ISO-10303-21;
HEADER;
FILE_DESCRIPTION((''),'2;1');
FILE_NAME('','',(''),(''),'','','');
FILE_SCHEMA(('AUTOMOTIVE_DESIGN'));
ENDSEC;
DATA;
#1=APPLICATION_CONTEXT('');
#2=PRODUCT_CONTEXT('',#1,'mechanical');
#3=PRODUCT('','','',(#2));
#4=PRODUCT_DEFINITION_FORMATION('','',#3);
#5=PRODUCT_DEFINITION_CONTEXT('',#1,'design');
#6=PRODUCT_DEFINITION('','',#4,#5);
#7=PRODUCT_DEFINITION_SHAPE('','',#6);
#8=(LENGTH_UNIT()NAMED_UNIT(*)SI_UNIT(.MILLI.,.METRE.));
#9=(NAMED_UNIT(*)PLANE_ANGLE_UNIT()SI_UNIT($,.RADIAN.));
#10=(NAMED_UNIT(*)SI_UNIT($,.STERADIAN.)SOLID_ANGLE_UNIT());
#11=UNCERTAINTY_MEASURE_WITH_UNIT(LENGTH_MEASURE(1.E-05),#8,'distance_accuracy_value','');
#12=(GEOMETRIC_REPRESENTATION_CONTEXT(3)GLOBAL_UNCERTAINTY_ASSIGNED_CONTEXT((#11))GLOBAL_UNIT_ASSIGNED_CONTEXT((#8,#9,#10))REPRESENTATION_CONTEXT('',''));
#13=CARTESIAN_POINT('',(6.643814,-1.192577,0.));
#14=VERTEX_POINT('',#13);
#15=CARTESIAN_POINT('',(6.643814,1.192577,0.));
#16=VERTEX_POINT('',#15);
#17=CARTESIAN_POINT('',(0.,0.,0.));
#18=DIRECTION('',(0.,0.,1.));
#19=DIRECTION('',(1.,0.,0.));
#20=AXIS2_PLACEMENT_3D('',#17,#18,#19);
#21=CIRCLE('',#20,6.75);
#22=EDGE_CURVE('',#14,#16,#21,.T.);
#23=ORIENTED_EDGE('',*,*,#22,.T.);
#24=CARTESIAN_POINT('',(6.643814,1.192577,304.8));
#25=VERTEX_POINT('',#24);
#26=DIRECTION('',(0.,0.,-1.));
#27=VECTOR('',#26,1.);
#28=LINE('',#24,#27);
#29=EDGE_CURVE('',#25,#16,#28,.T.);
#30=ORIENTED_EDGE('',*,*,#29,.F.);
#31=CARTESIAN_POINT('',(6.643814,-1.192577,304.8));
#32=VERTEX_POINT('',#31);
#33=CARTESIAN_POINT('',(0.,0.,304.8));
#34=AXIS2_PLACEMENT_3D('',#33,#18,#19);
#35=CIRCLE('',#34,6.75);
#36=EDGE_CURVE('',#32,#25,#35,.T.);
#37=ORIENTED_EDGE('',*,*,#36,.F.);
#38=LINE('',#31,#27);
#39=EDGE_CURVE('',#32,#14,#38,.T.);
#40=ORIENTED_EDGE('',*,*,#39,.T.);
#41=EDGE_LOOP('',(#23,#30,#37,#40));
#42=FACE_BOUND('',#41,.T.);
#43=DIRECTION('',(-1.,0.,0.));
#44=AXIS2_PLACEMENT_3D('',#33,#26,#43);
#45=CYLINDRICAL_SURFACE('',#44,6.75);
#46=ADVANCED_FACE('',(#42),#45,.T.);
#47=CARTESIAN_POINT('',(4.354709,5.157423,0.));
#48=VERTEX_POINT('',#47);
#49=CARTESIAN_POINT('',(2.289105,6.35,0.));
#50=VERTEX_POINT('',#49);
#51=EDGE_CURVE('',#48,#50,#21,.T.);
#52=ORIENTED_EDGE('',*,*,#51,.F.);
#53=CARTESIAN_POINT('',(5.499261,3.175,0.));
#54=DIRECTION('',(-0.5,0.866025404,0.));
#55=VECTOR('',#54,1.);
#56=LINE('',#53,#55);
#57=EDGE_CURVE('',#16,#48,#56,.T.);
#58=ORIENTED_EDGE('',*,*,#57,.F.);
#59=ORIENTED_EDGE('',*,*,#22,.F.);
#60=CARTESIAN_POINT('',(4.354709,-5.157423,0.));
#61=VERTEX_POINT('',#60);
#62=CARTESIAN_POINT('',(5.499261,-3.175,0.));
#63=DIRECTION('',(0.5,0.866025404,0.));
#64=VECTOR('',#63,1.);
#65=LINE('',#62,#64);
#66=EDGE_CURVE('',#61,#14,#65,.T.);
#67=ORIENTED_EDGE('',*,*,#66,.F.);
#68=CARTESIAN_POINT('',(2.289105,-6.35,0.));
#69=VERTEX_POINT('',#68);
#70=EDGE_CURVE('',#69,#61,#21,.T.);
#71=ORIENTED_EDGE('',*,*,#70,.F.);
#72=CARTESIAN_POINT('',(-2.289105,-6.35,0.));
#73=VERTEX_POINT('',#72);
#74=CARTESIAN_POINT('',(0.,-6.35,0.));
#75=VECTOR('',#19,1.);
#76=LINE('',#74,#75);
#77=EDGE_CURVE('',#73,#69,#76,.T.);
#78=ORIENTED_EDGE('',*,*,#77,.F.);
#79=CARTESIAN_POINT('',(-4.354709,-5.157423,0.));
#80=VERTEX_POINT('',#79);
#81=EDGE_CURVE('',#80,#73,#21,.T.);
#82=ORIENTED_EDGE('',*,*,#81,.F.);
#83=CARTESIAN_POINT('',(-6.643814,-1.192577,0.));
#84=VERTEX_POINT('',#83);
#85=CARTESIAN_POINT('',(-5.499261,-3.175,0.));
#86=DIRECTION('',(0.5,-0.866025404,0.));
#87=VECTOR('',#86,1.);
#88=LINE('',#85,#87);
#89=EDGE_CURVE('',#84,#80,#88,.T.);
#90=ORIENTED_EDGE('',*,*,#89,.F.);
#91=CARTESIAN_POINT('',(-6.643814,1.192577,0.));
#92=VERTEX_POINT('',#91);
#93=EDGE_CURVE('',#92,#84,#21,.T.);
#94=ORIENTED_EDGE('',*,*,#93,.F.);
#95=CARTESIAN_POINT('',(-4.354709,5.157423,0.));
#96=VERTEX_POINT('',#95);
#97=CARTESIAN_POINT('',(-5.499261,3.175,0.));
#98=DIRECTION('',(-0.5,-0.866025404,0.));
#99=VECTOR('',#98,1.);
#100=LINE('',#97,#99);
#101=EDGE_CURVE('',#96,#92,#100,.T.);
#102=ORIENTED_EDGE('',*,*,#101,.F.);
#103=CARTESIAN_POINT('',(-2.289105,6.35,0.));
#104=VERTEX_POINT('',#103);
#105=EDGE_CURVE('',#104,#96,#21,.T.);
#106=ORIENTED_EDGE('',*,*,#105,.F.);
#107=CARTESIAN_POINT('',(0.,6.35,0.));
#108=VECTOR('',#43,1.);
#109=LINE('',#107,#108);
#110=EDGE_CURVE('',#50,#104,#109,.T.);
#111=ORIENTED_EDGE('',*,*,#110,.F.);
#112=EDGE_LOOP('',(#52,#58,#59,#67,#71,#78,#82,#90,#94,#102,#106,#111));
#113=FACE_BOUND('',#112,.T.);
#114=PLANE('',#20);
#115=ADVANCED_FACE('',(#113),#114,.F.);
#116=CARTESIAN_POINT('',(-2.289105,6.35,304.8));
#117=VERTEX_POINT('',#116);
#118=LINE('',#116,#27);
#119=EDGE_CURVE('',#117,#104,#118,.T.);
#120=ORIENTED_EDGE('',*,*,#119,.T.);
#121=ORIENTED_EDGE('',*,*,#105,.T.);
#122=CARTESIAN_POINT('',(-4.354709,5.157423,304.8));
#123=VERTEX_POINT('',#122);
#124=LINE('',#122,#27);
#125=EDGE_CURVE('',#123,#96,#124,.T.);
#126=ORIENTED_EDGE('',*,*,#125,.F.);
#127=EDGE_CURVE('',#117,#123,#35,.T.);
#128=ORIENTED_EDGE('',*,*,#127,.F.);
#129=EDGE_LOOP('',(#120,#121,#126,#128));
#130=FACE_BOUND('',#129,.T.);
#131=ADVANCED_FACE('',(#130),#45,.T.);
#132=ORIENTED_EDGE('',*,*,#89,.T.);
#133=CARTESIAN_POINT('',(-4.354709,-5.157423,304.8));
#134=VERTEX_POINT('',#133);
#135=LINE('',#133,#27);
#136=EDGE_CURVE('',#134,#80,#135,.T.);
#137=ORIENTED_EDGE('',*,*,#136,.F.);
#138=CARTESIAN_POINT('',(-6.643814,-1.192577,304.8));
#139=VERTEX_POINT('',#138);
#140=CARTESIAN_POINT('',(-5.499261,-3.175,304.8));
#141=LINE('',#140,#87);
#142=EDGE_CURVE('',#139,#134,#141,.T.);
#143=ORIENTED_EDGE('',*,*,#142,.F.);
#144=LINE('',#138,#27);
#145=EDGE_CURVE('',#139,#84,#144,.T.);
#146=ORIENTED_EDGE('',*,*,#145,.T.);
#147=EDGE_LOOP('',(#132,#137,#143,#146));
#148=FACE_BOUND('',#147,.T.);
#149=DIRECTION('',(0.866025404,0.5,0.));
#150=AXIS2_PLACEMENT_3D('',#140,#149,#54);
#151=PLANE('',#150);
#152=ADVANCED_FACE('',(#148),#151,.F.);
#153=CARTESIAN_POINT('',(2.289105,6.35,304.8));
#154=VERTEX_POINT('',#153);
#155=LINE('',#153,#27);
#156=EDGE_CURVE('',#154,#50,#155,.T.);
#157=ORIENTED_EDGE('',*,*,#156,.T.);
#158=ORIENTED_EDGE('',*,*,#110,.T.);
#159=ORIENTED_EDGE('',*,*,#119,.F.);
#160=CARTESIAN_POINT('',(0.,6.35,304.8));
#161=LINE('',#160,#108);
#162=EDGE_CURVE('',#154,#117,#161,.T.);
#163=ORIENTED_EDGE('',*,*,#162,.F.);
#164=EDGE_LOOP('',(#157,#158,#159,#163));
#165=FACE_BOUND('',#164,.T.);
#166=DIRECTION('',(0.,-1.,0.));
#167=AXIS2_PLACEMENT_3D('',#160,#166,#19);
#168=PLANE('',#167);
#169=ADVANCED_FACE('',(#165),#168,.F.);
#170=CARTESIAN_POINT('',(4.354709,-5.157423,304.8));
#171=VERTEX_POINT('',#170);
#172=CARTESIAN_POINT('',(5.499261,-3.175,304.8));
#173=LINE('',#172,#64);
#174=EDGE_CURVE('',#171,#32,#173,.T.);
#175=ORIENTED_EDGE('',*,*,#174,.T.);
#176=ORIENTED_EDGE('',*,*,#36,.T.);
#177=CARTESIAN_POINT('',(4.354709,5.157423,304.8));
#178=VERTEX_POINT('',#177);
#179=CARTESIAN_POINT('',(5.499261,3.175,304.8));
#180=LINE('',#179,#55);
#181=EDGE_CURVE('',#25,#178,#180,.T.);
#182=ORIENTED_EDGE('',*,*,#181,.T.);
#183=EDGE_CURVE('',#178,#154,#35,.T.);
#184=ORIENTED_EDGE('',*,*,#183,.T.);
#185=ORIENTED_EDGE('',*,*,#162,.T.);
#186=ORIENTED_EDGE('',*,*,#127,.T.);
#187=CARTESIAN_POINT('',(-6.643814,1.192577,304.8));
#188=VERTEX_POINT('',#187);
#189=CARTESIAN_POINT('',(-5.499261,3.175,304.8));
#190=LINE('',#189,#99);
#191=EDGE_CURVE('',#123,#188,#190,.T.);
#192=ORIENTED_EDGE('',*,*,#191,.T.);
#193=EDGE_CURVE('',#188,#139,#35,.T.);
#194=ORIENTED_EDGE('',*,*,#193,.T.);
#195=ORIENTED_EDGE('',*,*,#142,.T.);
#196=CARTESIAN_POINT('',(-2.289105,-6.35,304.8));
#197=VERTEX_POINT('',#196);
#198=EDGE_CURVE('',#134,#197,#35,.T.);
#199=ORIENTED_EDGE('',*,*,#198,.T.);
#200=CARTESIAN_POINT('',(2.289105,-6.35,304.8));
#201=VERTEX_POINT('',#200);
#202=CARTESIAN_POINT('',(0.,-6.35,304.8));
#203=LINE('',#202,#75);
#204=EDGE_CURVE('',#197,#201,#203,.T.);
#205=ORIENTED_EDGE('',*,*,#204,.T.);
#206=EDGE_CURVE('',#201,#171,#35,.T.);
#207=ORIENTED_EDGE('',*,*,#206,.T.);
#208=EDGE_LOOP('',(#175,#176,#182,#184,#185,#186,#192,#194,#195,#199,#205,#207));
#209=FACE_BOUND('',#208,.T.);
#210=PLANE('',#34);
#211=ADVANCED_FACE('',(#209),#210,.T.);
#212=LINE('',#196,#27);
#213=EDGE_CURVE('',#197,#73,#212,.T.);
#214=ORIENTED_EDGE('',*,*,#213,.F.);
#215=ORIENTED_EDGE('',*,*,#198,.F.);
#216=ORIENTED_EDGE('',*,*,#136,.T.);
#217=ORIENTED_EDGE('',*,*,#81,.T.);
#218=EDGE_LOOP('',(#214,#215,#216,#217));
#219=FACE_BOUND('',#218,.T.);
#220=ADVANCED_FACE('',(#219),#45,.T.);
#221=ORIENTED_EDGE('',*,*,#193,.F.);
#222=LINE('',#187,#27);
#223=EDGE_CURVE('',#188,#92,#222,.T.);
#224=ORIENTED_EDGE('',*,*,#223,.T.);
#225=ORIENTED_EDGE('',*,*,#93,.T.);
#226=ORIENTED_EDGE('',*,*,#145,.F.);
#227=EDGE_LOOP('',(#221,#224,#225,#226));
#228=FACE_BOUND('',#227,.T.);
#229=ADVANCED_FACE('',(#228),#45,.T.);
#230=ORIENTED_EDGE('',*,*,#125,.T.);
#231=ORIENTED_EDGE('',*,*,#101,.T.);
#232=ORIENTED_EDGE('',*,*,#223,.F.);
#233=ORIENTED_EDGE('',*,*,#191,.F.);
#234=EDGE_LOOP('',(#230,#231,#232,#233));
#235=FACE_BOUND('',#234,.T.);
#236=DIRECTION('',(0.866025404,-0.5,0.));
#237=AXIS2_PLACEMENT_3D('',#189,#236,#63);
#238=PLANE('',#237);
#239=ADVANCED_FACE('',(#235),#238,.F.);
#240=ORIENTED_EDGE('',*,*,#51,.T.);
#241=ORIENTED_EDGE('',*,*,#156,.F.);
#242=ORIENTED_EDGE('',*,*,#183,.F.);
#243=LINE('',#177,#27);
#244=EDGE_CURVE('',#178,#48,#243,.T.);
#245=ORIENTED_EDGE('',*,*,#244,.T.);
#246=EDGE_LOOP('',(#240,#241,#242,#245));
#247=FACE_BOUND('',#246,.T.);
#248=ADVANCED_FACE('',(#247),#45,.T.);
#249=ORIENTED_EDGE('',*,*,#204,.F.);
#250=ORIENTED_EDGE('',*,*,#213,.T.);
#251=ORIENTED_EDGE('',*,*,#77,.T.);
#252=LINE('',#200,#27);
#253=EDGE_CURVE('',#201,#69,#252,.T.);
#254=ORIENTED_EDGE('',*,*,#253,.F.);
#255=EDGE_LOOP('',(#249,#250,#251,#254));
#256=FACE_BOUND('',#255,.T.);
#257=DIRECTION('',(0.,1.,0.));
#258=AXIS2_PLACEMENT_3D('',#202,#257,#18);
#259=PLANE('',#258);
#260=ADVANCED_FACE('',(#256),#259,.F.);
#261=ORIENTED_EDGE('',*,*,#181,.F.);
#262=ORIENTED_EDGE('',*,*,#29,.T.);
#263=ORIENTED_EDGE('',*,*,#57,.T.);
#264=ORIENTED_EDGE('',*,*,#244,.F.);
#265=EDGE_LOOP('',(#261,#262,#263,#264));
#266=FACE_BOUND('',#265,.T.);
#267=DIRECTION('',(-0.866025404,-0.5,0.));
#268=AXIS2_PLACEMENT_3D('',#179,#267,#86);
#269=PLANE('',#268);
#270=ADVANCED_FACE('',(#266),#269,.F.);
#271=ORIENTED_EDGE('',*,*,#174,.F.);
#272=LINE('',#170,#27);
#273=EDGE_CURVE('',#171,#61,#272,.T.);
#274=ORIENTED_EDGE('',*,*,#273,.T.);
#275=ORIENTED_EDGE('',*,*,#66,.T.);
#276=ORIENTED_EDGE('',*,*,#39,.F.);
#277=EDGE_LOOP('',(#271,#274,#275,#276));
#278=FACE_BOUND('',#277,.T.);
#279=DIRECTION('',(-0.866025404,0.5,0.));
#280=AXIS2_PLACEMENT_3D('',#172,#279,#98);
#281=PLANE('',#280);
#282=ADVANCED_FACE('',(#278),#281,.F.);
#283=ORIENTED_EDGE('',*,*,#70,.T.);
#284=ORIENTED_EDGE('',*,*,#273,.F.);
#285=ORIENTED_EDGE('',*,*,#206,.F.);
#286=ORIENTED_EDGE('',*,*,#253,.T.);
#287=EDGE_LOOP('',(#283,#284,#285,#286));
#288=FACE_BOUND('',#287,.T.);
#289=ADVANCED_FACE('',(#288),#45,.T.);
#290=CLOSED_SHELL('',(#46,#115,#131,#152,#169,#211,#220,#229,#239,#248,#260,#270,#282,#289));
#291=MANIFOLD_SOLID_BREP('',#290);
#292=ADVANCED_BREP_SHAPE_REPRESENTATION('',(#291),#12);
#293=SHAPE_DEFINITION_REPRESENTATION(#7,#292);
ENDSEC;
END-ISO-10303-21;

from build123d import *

# Parameters (mm, degrees)
BOSS_EXTRUDE1_DEPTH = 304.8


with BuildPart() as part:
    # Sketch1 → Boss-Extrude1 (new body)
    with BuildSketch(Plane.XY):
        with BuildLine():
            ThreePointArc((-6.643813628, 1.19257724), (-6.75, 0), (-6.643813628, -1.19257724))
            Line((-6.643813628, -1.19257724), (-4.354709, -5.15742276))
            ThreePointArc((-4.354709, -5.15742276), (-3.375, -5.845671476), (-2.289104628, -6.35))
            Line((-2.289104628, -6.35), (2.289104628, -6.35))
            ThreePointArc((2.289104628, -6.35), (3.375, -5.845671476), (4.354709, -5.15742276))
            Line((4.354709, -5.15742276), (6.643813628, -1.19257724))
            ThreePointArc((6.643813628, -1.19257724), (6.723400999, -0.598647646), (6.75, 0))
            ThreePointArc((6.75, 0), (6.723400999, 0.598647646), (6.643813628, 1.19257724))
            Line((6.643813628, 1.19257724), (4.354709, 5.15742276))
            ThreePointArc((4.354709, 5.15742276), (3.375, 5.845671476), (2.289104628, 6.35))
            Line((2.289104628, 6.35), (-2.289104628, 6.35))
            ThreePointArc((-2.289104628, 6.35), (-3.375, 5.845671476), (-4.354709, 5.15742276))
            Line((-4.354709, 5.15742276), (-6.643813628, 1.19257724))
        make_face()
    extrude(amount=BOSS_EXTRUDE1_DEPTH)


solid = part.part
